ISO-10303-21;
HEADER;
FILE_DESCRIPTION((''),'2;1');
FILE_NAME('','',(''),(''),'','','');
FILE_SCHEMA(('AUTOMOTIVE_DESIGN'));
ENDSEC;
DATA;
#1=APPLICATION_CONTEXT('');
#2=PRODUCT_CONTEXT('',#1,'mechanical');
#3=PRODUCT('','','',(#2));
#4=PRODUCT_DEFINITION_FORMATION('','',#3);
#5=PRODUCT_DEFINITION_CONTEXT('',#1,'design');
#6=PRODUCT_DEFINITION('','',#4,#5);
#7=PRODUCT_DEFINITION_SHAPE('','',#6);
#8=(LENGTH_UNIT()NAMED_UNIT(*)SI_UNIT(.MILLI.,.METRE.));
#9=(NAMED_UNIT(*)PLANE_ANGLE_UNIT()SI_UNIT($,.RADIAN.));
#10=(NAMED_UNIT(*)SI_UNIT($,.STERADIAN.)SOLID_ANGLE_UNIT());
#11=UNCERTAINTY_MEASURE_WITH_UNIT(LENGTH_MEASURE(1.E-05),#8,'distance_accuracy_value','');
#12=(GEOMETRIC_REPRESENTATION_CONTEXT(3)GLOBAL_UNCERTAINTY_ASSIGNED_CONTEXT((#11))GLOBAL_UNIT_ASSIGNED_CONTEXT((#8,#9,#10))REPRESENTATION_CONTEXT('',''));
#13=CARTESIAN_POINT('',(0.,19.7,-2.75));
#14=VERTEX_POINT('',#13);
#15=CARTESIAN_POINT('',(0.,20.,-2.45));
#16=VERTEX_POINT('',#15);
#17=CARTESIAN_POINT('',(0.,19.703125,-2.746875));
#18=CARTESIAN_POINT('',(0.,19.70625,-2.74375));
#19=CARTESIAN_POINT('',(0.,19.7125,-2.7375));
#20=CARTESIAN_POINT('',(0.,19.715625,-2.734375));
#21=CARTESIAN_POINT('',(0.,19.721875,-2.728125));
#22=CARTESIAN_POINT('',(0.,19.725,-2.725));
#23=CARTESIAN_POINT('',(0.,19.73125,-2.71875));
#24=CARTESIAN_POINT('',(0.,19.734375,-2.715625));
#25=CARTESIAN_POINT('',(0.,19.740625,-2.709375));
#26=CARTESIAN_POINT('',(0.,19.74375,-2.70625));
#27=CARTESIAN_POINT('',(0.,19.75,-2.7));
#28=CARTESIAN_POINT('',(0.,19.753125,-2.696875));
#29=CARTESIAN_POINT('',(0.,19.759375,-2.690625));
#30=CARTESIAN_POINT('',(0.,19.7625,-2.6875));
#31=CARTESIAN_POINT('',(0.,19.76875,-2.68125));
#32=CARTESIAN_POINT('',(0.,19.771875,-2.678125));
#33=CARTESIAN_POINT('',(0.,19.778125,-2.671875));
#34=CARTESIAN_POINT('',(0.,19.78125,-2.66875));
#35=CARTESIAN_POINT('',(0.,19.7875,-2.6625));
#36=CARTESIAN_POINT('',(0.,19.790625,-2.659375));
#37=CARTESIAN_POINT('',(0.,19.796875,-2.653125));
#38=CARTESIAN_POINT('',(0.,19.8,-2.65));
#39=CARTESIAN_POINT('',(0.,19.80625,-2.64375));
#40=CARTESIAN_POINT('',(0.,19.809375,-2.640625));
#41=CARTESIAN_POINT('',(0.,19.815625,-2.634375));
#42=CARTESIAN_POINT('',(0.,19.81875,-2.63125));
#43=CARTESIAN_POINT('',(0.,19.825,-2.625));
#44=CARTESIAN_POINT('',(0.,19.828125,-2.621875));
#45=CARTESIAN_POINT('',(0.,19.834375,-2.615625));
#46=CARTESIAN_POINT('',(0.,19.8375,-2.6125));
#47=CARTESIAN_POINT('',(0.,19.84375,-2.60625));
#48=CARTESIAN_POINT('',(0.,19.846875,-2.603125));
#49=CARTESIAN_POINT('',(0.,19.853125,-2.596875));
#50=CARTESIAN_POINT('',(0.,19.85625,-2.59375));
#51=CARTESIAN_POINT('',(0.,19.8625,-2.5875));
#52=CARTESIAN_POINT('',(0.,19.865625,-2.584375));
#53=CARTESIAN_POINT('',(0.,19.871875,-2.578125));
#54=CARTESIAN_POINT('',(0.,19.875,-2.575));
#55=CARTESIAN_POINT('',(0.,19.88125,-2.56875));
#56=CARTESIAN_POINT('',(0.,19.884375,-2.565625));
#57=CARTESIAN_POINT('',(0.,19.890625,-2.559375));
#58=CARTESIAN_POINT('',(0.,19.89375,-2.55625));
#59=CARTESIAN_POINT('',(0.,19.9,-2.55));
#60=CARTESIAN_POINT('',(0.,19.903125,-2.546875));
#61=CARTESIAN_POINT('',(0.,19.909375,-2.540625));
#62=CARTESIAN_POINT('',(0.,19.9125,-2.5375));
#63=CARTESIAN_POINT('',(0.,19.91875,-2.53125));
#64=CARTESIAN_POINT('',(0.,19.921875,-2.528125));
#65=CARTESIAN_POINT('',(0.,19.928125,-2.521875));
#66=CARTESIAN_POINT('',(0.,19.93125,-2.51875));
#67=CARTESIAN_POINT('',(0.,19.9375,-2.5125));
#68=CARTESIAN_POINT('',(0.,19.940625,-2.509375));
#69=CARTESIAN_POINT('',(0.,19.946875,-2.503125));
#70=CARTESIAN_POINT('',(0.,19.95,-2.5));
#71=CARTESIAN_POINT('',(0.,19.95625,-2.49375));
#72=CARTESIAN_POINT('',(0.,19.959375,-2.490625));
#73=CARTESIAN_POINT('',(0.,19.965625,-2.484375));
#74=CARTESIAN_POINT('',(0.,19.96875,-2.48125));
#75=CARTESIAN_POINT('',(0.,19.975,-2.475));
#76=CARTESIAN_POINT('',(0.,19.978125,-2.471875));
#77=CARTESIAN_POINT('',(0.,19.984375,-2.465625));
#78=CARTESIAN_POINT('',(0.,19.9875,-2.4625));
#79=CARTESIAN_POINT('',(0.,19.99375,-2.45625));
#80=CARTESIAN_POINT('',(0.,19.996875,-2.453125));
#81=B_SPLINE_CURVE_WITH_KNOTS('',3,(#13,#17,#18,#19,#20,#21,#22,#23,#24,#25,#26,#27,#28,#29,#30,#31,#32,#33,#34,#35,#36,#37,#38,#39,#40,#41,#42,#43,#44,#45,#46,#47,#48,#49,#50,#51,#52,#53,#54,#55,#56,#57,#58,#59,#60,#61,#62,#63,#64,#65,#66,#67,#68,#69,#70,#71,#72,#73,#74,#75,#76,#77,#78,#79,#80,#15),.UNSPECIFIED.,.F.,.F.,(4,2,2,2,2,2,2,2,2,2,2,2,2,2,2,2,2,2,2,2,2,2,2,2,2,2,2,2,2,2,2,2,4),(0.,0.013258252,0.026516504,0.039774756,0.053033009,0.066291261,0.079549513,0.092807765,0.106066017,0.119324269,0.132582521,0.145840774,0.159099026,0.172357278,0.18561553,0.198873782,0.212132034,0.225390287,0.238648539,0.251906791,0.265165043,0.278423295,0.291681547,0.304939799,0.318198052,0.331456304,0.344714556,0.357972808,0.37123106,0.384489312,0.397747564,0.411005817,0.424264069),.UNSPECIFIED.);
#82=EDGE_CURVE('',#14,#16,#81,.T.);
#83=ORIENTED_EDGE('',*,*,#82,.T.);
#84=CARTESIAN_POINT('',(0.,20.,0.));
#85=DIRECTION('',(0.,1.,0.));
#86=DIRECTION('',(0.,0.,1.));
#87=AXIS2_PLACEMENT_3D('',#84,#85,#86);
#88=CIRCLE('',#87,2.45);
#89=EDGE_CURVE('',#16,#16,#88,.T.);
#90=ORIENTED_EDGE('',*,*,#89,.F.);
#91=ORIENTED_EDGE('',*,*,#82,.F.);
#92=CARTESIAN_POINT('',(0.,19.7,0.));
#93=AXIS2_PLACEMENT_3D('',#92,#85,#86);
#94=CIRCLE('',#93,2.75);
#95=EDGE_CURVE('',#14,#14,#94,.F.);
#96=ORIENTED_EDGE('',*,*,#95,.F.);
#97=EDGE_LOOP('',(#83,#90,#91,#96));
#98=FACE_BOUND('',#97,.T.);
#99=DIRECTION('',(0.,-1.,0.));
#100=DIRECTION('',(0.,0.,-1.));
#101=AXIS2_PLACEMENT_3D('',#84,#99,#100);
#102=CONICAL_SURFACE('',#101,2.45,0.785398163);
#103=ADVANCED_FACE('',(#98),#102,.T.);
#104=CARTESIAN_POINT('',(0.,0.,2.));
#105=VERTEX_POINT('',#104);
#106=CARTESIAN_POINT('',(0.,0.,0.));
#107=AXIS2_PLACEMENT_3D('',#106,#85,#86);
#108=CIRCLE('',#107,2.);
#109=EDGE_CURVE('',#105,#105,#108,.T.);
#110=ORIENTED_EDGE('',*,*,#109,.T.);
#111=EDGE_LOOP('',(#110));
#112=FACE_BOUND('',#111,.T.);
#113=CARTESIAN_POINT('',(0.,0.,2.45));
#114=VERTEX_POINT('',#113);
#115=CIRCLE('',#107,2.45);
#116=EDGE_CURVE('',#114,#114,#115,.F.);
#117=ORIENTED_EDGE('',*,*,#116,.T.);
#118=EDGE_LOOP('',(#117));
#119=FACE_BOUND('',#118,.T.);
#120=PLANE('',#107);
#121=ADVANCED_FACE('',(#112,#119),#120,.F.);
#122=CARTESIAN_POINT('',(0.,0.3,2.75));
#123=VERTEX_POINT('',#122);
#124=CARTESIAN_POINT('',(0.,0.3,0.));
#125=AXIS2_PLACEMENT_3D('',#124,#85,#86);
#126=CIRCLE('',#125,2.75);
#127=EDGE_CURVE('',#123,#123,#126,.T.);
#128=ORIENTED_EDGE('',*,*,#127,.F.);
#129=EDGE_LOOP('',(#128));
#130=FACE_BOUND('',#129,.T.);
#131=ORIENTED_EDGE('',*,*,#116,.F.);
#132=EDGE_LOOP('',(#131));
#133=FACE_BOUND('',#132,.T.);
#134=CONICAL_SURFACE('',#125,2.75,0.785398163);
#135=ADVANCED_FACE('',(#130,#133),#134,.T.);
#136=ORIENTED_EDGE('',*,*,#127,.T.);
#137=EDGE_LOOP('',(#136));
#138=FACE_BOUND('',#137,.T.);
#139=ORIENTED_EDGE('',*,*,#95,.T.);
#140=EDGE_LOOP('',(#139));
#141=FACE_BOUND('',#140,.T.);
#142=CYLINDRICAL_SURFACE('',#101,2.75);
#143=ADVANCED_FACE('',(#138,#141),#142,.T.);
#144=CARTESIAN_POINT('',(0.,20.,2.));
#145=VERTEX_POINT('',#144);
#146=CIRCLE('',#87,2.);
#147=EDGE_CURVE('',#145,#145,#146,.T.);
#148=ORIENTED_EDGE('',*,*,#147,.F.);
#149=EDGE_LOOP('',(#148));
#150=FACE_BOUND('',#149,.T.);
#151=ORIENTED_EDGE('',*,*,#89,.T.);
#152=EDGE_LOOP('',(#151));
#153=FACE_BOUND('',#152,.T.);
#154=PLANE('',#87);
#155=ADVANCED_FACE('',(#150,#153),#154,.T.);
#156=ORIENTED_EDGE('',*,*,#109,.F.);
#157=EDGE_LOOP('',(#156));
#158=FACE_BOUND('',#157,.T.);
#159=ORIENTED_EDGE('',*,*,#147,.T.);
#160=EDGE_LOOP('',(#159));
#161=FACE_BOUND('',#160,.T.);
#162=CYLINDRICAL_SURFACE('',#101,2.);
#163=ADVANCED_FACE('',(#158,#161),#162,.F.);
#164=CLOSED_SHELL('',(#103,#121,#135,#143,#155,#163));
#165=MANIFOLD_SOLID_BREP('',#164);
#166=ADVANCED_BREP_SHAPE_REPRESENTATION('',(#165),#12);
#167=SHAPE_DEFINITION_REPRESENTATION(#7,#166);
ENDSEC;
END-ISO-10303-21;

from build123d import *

# Parameters (mm, degrees)
CROQUIS1_R              = 2.75
CROQUIS1_R_2            = 2
SALIENTE_EXTRUIR1_DEPTH = 20
CHAFL_N1_SIZE           = 0.3


with BuildPart() as part:
    # Croquis1 → Saliente-Extruir1 (new body)
    with BuildSketch(Plane(origin=(0, 0, 0), x_dir=(1, 0, 0), z_dir=(0, 1, 0))):
        with Locations(Location((0, 0, 0), (0, 0, 270))):
            Circle(CROQUIS1_R)
        with Locations(Location((0, 0, 0), (0, 0, 270))):
            Circle(CROQUIS1_R_2, mode=Mode.SUBTRACT)
    extrude(amount=SALIENTE_EXTRUIR1_DEPTH)

    # Chaflán1
    chafl_n1_edges = [part.edges().sort_by_distance(p)[0] for p in [
        (0, 0, -2.75),
        (0, 20, -2.75),
    ]]
    chamfer(chafl_n1_edges, length=CHAFL_N1_SIZE)


solid = part.part
